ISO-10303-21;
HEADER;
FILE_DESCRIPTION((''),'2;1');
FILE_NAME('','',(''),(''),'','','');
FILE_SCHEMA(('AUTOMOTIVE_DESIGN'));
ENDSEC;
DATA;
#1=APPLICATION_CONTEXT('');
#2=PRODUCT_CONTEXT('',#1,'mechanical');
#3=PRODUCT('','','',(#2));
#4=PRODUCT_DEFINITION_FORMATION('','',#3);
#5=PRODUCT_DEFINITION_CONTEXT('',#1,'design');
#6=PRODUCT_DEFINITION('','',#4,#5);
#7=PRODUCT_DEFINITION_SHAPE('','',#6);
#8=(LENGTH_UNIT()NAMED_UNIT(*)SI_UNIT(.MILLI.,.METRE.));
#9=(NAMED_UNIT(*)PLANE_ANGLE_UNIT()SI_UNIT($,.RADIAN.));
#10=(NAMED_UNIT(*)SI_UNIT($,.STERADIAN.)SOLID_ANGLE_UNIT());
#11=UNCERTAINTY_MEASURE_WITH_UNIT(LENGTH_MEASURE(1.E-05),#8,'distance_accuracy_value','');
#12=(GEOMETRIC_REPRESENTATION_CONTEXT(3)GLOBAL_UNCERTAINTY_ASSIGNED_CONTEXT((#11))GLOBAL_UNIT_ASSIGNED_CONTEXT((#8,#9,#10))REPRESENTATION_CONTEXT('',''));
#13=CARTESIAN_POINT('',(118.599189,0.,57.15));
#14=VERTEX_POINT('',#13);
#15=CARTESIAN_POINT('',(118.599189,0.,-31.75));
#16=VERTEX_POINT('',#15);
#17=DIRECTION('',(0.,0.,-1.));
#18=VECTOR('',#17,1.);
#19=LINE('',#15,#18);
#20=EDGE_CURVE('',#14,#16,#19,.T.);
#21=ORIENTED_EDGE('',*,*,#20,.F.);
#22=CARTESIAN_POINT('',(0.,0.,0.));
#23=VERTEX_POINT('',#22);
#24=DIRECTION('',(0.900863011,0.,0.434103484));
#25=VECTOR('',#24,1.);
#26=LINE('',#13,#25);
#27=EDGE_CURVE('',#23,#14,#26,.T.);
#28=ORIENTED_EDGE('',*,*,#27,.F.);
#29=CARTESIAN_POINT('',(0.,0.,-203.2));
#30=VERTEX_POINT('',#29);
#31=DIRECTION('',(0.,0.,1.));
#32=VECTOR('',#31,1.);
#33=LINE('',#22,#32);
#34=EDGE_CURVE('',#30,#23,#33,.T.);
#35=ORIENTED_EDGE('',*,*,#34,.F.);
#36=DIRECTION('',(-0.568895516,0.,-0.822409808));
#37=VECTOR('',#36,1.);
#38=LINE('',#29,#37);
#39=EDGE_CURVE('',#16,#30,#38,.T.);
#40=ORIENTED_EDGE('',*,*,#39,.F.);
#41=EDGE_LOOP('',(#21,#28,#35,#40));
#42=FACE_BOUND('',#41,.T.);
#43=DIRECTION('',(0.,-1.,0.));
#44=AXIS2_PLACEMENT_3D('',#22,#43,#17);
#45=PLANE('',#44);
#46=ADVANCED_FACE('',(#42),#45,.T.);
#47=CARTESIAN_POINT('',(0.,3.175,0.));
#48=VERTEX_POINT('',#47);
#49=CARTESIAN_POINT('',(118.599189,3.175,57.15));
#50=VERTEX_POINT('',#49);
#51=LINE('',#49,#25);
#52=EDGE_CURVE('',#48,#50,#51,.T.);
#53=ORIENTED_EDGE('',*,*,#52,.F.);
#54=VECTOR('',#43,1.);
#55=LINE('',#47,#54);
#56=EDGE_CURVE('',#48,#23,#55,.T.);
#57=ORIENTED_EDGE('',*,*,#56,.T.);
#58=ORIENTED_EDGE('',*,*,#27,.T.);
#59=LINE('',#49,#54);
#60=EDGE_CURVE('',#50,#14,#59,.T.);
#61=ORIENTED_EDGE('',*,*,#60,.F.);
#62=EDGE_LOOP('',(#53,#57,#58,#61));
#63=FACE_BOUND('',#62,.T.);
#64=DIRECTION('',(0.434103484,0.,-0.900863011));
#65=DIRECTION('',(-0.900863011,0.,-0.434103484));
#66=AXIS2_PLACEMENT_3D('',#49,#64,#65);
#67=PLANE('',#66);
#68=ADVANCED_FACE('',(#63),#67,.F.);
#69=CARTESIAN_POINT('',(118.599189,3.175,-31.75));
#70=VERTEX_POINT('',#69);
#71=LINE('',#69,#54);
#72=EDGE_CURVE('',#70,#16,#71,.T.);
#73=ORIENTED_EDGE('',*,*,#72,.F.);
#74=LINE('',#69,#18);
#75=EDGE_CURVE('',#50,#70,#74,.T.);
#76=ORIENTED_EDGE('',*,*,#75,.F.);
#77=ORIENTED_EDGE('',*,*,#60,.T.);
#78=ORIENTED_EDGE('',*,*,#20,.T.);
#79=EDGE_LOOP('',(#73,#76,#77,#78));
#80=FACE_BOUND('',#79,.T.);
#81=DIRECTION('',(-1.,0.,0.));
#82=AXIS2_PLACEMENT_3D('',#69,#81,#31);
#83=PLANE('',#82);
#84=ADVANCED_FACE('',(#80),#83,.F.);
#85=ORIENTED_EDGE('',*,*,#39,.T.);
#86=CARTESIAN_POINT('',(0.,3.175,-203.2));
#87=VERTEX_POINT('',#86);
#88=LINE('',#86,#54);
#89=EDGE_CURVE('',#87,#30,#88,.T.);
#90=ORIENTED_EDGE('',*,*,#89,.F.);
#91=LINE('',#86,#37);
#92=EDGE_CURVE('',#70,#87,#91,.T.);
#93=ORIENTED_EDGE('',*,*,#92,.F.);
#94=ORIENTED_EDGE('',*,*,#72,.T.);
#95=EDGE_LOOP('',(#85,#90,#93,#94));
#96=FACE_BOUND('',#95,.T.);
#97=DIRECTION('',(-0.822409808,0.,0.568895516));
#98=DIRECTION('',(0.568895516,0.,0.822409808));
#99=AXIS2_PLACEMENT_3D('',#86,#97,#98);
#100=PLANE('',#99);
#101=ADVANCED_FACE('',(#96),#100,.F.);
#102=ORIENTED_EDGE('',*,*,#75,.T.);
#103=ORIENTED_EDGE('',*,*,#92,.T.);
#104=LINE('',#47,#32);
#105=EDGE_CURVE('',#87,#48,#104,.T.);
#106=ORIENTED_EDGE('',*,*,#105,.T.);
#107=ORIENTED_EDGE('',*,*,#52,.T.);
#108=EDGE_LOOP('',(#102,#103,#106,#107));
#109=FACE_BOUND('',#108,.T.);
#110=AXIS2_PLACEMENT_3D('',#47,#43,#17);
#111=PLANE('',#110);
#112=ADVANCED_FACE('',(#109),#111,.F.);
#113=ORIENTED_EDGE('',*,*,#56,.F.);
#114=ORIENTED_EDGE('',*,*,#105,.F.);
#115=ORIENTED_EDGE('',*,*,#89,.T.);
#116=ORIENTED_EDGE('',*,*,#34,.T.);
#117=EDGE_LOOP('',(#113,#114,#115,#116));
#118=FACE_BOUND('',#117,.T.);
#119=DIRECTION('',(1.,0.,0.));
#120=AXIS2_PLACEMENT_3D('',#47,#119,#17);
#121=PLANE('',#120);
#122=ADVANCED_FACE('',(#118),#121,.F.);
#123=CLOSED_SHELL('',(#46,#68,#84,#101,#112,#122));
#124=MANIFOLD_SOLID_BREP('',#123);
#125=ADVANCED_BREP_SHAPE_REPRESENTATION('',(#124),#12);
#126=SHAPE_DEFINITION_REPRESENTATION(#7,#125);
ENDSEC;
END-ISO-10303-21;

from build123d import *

# Parameters (mm, degrees)
BOSS_EXTRUDE1_DEPTH = 3.175


with BuildPart() as part:
    # Sketch1 → Boss-Extrude1 (new body)
    with BuildSketch(Plane(origin=(0, 0, 0), x_dir=(1, 0, 0), z_dir=(0, 1, 0))):
        Polygon((0, 0), (0, 203.2), (118.599189008, 31.75), (118.599189008, -57.15), align=None)
    extrude(amount=BOSS_EXTRUDE1_DEPTH)


solid = part.part
